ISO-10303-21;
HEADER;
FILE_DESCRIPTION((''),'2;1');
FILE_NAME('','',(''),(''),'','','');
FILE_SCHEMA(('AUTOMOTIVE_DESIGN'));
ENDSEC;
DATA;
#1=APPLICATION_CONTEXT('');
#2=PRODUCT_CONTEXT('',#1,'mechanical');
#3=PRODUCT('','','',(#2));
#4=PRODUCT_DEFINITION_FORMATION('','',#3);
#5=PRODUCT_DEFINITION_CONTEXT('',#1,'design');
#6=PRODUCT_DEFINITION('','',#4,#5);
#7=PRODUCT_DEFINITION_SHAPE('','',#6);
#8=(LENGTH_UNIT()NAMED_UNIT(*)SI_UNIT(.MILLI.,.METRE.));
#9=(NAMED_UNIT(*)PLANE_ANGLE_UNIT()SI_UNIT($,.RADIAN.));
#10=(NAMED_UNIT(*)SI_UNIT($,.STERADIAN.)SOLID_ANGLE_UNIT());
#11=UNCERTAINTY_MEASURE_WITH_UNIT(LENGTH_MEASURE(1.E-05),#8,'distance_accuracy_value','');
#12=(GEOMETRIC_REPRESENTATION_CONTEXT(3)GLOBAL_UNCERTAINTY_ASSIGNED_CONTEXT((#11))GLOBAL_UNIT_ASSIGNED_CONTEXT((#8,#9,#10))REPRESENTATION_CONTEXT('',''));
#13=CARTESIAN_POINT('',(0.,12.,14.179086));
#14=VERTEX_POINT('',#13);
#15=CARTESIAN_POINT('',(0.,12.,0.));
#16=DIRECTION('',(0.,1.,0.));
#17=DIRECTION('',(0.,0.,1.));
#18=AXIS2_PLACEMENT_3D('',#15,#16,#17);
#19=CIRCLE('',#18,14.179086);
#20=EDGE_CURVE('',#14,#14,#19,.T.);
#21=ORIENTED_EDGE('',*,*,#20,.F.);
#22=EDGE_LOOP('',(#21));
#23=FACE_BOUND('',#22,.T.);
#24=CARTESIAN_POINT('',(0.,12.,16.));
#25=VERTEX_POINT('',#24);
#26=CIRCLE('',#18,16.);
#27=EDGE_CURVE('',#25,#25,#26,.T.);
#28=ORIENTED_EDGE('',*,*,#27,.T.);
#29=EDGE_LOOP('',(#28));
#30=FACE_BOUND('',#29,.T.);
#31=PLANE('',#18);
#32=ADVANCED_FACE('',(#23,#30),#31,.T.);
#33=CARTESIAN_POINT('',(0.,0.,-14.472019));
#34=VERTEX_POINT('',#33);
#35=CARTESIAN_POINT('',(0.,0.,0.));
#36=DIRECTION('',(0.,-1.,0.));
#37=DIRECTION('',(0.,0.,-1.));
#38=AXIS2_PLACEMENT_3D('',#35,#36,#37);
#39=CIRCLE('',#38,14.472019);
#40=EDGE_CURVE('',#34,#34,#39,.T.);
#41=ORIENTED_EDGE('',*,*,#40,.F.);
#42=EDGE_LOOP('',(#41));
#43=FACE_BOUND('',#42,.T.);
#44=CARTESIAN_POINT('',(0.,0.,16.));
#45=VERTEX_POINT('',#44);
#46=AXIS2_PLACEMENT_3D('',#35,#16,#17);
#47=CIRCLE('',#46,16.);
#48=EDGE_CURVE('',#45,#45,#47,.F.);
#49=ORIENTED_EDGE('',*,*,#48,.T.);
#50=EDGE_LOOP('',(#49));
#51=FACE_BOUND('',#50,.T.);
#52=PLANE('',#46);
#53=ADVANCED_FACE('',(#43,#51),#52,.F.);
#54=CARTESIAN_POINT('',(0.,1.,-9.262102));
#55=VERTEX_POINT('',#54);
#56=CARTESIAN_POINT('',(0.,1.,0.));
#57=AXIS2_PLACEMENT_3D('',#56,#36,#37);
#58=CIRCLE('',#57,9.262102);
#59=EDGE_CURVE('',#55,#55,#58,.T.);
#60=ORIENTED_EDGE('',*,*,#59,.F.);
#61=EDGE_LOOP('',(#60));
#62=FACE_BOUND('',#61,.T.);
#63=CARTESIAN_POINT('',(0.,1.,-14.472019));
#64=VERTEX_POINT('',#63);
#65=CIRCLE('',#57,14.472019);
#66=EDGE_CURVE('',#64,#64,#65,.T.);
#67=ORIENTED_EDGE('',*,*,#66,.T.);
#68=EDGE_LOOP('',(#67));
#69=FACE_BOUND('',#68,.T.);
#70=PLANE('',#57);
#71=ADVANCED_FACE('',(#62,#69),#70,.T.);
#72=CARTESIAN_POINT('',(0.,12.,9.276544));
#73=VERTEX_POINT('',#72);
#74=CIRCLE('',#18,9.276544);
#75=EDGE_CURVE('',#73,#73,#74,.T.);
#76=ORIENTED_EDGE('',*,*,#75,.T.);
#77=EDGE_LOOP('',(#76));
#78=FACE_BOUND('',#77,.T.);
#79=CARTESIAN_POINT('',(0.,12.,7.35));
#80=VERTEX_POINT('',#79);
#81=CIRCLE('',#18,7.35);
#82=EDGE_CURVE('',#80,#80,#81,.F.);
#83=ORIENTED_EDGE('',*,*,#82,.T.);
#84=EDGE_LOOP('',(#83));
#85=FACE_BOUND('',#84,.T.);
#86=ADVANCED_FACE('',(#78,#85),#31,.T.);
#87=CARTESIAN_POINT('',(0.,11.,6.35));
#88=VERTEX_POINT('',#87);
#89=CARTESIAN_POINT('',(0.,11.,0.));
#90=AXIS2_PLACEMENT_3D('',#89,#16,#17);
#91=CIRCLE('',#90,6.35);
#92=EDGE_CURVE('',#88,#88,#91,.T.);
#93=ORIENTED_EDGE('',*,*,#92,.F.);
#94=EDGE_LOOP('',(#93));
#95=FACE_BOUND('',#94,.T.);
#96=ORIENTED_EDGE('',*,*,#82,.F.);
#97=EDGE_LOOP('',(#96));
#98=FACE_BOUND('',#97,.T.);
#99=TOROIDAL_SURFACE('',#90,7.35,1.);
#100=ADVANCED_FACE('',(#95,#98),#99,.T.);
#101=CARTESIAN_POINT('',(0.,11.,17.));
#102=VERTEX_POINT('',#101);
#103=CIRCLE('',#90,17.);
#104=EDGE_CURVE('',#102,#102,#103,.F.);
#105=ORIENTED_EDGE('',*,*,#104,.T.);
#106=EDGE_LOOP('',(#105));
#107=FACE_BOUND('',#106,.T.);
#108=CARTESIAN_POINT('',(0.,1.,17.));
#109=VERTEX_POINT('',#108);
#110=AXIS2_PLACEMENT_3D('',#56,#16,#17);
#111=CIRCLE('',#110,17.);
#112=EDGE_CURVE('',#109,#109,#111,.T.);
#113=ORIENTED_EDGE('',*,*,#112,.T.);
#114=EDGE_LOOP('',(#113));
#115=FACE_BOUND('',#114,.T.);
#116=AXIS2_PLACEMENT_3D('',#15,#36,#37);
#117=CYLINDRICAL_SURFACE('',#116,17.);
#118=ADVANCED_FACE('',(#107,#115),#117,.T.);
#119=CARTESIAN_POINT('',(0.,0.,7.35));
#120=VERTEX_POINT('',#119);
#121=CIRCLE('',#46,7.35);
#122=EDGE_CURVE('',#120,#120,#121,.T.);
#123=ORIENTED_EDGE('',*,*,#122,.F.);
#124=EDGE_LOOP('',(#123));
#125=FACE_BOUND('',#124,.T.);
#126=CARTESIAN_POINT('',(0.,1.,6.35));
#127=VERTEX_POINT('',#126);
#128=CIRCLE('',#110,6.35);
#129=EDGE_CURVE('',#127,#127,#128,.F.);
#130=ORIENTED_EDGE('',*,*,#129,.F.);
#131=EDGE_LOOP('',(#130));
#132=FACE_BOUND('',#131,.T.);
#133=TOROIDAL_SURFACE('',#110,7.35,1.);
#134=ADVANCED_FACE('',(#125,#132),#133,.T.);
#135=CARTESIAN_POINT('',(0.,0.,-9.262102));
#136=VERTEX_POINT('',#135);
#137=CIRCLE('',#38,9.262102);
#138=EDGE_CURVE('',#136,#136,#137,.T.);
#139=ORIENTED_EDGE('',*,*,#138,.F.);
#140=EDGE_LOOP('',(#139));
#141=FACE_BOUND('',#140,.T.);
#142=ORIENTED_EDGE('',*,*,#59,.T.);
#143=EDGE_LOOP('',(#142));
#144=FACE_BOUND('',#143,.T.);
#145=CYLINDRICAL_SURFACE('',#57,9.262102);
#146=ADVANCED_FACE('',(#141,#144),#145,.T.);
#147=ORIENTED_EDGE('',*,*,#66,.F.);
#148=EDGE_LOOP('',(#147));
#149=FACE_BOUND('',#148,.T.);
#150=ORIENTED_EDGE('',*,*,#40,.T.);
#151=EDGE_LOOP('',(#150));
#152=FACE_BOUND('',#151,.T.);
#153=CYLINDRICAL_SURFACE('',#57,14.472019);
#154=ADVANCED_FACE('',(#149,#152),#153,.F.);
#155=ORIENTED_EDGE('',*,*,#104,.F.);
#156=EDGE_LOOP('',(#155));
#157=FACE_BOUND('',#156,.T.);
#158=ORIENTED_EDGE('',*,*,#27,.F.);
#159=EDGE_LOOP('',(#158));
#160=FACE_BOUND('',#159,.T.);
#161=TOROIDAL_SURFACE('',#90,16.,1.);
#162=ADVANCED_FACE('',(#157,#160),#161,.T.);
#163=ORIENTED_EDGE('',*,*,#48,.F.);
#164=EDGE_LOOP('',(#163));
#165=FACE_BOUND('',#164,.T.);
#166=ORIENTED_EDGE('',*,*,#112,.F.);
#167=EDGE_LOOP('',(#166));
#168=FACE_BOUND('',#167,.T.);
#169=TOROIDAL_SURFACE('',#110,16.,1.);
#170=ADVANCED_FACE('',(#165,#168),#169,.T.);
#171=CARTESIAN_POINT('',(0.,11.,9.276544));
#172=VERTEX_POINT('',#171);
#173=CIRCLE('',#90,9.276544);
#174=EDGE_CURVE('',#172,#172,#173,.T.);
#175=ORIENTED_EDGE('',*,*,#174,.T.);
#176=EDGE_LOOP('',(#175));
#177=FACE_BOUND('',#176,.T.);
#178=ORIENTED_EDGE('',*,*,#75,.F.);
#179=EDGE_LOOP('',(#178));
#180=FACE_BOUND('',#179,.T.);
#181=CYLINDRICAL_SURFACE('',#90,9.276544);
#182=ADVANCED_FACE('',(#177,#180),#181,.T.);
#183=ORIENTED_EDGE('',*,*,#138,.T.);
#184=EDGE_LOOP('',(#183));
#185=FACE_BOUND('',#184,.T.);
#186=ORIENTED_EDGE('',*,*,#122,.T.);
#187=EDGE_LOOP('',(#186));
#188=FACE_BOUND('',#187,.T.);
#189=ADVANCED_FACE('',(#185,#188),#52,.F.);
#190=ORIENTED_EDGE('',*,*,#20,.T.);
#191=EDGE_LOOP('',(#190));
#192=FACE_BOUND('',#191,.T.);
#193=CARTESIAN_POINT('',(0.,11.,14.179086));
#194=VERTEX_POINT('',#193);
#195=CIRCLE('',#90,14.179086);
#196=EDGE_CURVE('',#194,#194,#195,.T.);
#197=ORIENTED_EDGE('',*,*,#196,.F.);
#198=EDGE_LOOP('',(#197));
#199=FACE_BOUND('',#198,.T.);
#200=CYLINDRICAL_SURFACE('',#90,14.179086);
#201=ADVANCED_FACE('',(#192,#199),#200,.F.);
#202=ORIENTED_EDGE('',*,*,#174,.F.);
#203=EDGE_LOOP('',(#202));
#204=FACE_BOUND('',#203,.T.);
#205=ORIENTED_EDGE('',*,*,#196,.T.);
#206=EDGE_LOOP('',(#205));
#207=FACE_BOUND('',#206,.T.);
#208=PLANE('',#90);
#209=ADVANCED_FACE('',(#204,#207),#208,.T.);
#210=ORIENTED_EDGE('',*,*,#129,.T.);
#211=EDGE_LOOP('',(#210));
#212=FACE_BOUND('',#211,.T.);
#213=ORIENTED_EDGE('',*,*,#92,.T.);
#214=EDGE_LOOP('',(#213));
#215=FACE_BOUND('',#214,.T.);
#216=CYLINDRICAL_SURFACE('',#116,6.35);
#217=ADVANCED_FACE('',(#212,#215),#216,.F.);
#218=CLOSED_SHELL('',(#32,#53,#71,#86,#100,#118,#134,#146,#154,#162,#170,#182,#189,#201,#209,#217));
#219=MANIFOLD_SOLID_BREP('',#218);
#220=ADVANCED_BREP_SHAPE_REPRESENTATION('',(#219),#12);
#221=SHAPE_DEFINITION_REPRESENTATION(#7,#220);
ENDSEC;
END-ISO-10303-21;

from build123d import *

# Parameters (mm, degrees)
SKETCH1_R           = 17
SKETCH1_R_2         = 6.35
BOSS_EXTRUDE1_DEPTH = 12
FILLET1_R           = 1
SKETCH2_R           = 14.179085796
SKETCH2_R_2         = 9.276544236
CUT_EXTRUDE1_DEPTH  = 1
SKETCH3_R           = 14.472019466
SKETCH3_R_2         = 9.262101897
CUT_EXTRUDE2_DEPTH  = 1


with BuildPart() as part:
    # Sketch1 → Boss-Extrude1 (new body)
    with BuildSketch(Plane(origin=(0, 0, 0), x_dir=(1, 0, 0), z_dir=(0, 1, 0))):
        Circle(SKETCH1_R)
        Circle(SKETCH1_R_2, mode=Mode.SUBTRACT)
    extrude(amount=BOSS_EXTRUDE1_DEPTH)

    # Fillet1
    fillet1_edges = [part.edges().sort_by_distance(p)[0] for p in [
        (-17, 0, 0),
        (-17, 12, 0),
        (-6.35, 0, 0),
        (-6.35, 12, 0),
    ]]
    fillet(fillet1_edges, radius=FILLET1_R)

    # Sketch2 → Cut-Extrude1 (cut)
    with BuildSketch(Plane(origin=(0, 12, 0), x_dir=(1, 0, 0), z_dir=(0, 1, 0))):
        Circle(SKETCH2_R)
        Circle(SKETCH2_R_2, mode=Mode.SUBTRACT)
    extrude(amount=-CUT_EXTRUDE1_DEPTH, mode=Mode.SUBTRACT)

    # Sketch3 → Cut-Extrude2 (cut)
    with BuildSketch(Plane.XZ):
        Circle(SKETCH3_R)
        Circle(SKETCH3_R_2, mode=Mode.SUBTRACT)
    extrude(amount=-CUT_EXTRUDE2_DEPTH, mode=Mode.SUBTRACT)


solid = part.part
